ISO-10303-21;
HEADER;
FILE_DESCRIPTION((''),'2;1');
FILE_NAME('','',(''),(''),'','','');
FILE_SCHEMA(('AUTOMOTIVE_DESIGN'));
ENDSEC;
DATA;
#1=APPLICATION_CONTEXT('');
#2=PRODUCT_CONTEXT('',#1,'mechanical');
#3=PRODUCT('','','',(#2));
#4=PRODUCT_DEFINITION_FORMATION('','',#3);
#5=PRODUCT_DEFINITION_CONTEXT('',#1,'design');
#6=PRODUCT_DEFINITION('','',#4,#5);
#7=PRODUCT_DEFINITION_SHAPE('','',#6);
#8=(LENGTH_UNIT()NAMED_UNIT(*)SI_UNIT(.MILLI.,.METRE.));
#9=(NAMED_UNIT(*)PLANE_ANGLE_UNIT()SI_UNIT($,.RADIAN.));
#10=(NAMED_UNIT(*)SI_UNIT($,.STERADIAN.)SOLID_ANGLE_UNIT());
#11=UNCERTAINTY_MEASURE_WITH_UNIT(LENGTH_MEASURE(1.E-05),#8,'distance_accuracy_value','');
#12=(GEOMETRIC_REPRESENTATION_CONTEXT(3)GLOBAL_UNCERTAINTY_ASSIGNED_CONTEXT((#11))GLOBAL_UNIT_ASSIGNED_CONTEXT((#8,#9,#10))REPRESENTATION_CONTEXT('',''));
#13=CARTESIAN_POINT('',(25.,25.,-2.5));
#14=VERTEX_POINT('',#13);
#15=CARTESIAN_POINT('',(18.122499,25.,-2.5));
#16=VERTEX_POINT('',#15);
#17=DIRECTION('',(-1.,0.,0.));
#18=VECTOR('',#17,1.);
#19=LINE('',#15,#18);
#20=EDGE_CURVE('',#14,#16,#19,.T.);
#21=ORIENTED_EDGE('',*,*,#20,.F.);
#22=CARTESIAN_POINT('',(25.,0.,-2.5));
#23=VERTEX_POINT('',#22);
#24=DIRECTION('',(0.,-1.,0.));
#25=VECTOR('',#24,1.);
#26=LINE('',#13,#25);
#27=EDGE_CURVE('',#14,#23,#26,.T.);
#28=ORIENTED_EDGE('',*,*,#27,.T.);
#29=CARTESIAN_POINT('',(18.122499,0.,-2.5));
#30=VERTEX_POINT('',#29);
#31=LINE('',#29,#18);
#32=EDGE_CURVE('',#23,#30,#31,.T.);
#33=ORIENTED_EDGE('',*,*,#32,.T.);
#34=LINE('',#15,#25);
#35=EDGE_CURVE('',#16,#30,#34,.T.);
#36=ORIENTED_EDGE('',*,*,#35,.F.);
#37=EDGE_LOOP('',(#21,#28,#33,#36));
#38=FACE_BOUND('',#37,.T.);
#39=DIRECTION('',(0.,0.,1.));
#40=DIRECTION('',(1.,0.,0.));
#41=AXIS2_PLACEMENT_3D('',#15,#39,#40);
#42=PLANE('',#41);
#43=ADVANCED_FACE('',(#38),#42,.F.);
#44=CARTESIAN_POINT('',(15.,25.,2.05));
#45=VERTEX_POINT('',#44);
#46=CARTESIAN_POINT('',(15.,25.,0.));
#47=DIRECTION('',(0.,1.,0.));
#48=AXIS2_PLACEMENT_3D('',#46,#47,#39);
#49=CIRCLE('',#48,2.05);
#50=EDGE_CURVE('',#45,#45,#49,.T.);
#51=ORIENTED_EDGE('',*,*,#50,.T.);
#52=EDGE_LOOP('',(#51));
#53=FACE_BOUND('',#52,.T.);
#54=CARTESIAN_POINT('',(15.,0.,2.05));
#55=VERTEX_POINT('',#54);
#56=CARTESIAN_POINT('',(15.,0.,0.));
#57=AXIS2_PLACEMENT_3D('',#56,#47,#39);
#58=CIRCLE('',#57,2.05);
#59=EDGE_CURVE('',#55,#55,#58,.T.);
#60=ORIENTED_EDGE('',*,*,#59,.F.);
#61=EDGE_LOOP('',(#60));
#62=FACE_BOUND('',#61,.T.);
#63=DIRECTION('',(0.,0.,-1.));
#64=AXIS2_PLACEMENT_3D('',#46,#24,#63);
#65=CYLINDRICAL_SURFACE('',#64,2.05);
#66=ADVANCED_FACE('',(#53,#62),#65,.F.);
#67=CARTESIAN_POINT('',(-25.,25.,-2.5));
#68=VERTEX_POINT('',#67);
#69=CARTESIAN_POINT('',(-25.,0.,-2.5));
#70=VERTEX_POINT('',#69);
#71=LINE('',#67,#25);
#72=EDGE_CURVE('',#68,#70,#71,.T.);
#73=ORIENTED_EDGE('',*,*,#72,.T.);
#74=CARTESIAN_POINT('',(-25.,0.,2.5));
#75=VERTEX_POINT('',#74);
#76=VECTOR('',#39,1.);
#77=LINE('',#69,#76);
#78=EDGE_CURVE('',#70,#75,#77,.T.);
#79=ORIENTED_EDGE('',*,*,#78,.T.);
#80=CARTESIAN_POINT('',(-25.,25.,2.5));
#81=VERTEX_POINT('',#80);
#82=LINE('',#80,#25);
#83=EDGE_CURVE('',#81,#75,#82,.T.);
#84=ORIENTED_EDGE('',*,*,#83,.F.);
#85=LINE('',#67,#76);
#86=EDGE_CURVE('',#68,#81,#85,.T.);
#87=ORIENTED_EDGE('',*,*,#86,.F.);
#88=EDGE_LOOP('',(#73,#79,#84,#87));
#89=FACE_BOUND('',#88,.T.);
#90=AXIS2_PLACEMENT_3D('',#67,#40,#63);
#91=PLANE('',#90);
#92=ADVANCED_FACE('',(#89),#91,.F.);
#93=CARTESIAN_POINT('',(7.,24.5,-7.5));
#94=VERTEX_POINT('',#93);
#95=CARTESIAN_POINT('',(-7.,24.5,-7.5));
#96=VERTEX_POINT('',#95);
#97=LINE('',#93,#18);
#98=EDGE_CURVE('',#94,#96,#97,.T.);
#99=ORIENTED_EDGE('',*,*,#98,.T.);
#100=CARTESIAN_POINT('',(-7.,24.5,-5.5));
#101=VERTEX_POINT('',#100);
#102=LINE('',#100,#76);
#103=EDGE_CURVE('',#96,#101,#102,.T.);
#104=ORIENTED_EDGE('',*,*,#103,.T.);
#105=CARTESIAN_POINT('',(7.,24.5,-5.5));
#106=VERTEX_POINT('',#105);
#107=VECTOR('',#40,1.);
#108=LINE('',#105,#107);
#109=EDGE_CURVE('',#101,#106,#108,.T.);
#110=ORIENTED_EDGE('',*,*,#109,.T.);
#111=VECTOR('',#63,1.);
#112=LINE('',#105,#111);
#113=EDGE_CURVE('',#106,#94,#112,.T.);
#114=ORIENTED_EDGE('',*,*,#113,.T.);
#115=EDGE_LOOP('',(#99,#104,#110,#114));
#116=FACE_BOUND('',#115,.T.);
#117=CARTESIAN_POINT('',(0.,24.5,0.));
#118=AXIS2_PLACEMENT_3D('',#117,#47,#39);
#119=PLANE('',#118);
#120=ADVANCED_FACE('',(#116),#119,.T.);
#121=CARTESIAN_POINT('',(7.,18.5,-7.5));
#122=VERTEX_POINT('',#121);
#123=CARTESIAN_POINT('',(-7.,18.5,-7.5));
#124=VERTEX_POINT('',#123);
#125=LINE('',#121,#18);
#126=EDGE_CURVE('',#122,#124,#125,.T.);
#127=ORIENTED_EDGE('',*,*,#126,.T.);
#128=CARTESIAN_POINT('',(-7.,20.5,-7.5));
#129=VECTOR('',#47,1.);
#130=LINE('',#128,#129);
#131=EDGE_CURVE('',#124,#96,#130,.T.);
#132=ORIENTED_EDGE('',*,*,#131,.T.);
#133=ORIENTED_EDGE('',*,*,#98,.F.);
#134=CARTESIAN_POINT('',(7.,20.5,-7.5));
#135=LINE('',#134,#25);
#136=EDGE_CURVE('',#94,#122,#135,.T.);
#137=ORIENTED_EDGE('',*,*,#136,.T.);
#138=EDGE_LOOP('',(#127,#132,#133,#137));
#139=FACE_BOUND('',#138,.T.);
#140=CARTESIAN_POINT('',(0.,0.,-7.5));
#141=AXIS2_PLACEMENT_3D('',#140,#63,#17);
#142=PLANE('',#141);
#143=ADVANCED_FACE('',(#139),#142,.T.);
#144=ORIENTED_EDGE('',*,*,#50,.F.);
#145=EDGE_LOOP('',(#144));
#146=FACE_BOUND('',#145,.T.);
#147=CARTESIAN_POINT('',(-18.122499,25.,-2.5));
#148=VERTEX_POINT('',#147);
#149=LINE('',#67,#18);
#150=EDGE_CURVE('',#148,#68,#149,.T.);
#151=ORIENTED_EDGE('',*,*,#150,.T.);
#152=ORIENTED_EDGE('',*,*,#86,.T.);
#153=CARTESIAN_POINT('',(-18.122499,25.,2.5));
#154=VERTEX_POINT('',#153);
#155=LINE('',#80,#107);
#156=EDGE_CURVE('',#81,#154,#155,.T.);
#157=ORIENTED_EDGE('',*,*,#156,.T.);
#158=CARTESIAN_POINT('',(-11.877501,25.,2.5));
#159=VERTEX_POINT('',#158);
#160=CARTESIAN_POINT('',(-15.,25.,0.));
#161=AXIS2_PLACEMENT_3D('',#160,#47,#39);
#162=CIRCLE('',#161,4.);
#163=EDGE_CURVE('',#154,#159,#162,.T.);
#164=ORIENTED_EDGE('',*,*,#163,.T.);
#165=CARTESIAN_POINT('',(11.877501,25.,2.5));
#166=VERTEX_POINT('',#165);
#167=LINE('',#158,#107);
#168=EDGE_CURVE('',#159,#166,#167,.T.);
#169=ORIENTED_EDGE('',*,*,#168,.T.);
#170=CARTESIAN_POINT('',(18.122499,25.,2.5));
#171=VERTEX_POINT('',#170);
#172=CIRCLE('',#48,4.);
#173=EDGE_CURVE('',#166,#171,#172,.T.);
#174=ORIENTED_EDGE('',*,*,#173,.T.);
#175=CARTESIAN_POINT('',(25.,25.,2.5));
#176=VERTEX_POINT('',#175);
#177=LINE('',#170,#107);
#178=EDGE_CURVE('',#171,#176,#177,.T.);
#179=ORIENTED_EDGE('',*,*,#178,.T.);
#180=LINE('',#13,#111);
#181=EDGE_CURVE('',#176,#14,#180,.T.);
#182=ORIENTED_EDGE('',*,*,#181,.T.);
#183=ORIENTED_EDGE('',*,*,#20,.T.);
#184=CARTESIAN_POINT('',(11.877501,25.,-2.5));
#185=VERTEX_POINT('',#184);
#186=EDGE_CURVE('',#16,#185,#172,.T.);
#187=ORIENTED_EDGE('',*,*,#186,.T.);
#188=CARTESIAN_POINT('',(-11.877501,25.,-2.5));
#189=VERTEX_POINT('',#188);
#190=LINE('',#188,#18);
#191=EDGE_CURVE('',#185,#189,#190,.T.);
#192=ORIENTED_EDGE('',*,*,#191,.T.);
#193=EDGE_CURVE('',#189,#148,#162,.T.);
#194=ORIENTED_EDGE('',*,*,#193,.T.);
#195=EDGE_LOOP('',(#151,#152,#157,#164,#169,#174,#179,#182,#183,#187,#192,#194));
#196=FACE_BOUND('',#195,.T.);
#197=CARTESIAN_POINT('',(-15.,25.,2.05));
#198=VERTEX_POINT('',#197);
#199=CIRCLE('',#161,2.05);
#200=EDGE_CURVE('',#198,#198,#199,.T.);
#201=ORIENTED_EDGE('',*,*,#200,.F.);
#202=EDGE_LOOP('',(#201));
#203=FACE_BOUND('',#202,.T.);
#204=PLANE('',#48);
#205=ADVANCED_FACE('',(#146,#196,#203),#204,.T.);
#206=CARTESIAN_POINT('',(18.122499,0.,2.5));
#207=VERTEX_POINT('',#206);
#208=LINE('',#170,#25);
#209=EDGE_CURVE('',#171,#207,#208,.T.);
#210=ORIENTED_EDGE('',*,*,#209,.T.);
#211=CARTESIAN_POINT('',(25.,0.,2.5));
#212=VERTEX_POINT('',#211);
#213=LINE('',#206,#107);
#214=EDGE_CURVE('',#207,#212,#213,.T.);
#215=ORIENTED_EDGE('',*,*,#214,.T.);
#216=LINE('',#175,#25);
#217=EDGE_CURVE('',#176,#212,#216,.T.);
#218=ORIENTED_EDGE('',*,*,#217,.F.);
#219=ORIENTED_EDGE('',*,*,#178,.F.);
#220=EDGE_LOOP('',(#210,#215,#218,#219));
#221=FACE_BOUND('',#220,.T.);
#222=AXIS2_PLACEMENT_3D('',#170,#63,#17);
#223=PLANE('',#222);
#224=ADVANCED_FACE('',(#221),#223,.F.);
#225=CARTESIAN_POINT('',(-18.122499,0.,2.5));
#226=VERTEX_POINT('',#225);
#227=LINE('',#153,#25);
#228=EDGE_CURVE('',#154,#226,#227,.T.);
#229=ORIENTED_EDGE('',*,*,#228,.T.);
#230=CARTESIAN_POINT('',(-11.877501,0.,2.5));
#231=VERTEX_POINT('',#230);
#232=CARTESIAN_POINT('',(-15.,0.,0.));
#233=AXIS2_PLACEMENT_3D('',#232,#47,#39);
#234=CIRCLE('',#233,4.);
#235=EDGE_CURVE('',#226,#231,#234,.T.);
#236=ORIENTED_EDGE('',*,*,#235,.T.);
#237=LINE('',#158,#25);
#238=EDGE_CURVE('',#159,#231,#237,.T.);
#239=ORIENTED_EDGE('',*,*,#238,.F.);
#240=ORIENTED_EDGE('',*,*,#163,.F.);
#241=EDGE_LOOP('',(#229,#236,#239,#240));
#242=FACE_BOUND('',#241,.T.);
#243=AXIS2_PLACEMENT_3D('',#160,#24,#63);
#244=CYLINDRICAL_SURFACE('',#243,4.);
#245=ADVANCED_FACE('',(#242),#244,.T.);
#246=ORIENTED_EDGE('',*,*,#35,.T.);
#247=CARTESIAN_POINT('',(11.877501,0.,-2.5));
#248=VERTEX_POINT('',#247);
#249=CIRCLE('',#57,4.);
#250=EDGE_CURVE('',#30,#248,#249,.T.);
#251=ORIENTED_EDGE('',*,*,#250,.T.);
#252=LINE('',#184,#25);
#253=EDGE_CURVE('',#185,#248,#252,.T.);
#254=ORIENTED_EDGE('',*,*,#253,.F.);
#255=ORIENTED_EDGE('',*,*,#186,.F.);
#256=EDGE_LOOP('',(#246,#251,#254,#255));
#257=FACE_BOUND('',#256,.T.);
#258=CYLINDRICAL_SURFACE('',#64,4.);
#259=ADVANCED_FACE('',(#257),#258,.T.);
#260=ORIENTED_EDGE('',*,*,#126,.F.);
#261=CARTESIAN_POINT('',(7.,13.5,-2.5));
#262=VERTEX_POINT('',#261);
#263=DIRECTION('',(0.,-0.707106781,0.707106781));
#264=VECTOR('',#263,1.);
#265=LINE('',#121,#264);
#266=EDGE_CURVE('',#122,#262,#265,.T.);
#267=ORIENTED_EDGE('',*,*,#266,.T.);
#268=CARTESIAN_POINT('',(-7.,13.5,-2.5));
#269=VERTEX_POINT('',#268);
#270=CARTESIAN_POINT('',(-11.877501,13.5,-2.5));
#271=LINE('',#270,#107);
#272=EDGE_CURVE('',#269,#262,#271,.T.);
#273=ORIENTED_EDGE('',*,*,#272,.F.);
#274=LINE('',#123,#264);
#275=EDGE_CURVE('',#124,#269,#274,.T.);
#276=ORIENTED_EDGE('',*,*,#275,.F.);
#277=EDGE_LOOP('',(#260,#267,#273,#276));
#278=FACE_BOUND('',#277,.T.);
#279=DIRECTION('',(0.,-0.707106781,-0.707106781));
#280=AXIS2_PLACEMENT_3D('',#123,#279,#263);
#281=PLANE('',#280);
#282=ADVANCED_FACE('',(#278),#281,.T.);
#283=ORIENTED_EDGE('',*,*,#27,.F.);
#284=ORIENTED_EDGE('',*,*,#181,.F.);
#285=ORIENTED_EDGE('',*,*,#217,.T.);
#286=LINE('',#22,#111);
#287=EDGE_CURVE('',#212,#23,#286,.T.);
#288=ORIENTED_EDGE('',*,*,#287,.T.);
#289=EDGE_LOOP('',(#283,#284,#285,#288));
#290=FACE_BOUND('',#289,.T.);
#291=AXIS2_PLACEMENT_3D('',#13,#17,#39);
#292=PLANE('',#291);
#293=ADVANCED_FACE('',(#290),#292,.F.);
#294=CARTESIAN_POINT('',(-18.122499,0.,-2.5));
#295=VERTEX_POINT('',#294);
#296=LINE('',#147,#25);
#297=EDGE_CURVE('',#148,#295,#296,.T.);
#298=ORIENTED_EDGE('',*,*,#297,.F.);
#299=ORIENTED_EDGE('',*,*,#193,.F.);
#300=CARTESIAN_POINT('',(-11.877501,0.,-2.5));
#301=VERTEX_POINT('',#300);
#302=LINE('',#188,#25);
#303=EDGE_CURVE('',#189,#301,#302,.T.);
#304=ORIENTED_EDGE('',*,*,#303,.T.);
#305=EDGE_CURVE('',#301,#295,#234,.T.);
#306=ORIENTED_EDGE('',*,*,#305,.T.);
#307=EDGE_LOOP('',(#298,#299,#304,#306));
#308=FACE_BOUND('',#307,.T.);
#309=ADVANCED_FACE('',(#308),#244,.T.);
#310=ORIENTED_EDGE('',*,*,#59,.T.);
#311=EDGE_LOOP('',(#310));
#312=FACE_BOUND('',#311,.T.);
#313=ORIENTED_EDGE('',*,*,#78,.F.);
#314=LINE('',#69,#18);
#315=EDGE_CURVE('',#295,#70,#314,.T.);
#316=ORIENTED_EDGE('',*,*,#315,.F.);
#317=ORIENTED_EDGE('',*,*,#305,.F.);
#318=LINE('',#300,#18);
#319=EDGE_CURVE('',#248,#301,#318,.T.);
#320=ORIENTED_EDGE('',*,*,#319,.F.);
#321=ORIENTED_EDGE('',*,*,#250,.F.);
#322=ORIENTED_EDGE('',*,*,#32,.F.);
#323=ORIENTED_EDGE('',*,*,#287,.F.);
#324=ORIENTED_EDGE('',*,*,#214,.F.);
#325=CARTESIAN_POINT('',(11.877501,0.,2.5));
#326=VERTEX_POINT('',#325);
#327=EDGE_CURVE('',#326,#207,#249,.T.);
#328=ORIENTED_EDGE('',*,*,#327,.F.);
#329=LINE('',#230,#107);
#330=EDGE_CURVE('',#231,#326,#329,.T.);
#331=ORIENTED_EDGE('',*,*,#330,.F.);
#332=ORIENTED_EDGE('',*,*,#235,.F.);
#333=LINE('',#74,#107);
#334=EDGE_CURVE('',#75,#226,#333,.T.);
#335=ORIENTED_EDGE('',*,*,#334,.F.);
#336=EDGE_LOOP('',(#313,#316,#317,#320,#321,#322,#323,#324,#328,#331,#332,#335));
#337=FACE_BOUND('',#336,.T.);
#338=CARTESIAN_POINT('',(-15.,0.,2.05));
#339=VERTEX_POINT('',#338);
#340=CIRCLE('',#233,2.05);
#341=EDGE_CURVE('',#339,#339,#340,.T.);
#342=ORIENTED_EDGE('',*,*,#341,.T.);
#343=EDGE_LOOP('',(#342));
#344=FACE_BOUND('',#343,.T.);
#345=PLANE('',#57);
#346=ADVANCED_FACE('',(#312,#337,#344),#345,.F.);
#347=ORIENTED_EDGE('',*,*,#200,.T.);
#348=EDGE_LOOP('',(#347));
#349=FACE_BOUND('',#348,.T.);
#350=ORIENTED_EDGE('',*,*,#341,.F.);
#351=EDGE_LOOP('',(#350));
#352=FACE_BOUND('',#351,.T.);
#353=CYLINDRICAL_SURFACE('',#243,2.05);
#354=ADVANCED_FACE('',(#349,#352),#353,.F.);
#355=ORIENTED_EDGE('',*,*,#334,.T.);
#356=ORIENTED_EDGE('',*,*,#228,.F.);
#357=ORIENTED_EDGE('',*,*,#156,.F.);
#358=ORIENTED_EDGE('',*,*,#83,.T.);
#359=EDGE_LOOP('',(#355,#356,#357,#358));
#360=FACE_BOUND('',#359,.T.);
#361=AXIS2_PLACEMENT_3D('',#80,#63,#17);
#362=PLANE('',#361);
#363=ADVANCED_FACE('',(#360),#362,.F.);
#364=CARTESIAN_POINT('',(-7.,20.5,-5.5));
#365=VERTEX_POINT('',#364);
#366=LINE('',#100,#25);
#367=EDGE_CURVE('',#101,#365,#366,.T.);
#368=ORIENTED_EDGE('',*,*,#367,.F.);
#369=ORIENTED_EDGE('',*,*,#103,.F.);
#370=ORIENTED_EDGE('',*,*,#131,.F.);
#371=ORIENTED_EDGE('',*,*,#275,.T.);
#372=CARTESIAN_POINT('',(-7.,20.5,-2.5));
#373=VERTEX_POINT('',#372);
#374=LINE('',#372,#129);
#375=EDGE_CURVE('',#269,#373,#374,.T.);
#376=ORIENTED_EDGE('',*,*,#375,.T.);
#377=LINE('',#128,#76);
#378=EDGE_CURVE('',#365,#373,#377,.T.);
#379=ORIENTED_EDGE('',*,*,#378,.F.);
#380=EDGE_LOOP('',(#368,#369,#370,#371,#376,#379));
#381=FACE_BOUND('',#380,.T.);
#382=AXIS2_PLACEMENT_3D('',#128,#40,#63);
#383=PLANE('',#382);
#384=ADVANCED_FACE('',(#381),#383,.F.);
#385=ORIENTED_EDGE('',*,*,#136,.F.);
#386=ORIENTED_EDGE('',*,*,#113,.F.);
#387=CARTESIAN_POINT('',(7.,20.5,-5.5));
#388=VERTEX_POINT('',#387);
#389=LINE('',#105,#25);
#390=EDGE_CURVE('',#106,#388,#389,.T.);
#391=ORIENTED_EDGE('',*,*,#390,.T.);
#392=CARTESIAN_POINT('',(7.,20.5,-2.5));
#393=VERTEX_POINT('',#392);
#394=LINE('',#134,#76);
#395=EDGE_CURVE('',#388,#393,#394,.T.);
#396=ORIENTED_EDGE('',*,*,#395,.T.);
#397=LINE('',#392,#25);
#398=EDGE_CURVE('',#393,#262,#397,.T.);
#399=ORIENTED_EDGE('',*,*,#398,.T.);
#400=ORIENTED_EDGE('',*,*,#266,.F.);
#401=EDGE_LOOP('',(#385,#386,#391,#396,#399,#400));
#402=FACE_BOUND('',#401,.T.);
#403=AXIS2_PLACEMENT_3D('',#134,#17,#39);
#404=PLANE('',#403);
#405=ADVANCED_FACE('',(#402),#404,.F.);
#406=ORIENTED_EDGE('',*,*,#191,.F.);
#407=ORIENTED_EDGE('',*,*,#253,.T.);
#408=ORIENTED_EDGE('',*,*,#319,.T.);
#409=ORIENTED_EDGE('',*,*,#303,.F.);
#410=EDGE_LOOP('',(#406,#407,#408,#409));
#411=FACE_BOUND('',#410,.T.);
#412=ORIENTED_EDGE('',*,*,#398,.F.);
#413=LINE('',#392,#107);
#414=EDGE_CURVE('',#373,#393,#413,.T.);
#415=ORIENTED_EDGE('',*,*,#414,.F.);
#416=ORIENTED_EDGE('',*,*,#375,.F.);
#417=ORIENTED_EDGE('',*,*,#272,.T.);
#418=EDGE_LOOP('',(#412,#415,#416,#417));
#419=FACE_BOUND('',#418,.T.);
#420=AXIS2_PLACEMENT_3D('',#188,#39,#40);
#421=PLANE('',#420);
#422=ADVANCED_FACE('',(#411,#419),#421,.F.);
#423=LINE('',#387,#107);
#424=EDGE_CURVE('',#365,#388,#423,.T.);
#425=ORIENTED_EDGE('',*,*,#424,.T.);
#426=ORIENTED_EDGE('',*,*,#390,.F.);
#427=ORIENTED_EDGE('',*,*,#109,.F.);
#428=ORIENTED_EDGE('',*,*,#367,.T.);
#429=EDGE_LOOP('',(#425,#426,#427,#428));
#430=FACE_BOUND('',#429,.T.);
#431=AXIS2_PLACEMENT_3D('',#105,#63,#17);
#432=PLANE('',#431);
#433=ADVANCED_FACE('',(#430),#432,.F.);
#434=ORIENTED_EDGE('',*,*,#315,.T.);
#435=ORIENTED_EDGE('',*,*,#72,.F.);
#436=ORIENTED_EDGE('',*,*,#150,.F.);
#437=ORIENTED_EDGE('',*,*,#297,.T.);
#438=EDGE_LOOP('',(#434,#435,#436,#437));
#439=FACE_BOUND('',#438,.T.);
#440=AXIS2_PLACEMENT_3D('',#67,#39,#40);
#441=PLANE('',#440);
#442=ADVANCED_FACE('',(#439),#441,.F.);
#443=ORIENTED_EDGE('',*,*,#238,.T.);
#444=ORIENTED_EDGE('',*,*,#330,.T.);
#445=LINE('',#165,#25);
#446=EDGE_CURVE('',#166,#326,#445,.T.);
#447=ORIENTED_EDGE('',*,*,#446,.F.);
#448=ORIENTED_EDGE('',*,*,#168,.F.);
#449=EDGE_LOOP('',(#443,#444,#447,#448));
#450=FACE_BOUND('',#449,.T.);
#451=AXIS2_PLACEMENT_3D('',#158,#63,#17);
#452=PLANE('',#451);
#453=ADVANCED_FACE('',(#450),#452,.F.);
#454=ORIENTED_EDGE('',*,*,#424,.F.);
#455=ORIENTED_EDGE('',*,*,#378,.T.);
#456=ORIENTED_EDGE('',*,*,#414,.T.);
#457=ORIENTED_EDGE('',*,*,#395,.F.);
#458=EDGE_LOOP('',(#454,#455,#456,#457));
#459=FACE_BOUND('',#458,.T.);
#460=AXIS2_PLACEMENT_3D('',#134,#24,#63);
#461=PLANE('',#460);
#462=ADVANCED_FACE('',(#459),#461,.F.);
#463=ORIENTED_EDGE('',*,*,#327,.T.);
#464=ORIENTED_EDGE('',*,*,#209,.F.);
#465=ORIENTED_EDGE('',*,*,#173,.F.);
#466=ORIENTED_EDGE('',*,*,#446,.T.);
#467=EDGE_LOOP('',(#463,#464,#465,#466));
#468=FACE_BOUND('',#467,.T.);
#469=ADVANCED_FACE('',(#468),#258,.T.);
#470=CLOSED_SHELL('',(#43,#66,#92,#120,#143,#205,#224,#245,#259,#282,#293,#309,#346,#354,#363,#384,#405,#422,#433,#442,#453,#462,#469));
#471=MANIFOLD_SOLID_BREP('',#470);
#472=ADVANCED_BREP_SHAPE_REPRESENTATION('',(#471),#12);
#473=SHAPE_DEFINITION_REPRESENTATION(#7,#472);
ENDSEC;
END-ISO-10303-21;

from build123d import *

# Parameters (mm, degrees)
SKETCH1_R           = 2.05
BOSS_EXTRUDE1_DEPTH = 25
SKETCH2_W           = 14
SKETCH2_H           = 2
BOSS_EXTRUDE2_DEPTH = 5
SKETCH3_W           = 14
SKETCH3_H           = 2
BOSS_EXTRUDE3_DEPTH = 4
RIB3_REACH          = 43.295
SKETCH4_WALL_W      = 91.660413372
SKETCH4_WALL_H      = 14


with BuildPart() as part:
    # Sketch1 → Boss-Extrude1 (new body)
    with BuildSketch(Plane(origin=(0, 0, 0), x_dir=(1, 0, 0), z_dir=(0, 1, 0))):
        with BuildLine():
            Line((-25, 2.5), (-18.122498999, 2.5))
            ThreePointArc((-18.122498999, 2.5), (-15, 4), (-11.877501001, 2.5))
            Line((-11.877501001, 2.5), (11.877501001, 2.5))
            ThreePointArc((11.877501001, 2.5), (15, 4), (18.122498999, 2.5))
            Line((18.122498999, 2.5), (25, 2.5))
            Line((25, 2.5), (25, -2.5))
            Line((25, -2.5), (18.122498999, -2.5))
            ThreePointArc((18.122498999, -2.5), (15, -4), (11.877501001, -2.5))
            Line((11.877501001, -2.5), (-11.877501001, -2.5))
            ThreePointArc((-11.877501001, -2.5), (-15, -4), (-18.122498999, -2.5))
            Line((-18.122498999, -2.5), (-25, -2.5))
            Line((-25, -2.5), (-25, 2.5))
        make_face()
        with Locations(Location((-15, 0, 0), (0, 0, 270))):
            Circle(SKETCH1_R, mode=Mode.SUBTRACT)
        with Locations(Location((15, 0, 0), (0, 0, 270))):
            Circle(SKETCH1_R, mode=Mode.SUBTRACT)
    extrude(amount=BOSS_EXTRUDE1_DEPTH)

    # Sketch2 → Boss-Extrude2 (add)
    with BuildSketch(Plane(origin=(0, 0, -2.5), x_dir=(-1, 0, 0), z_dir=(0, 0, -1))):
        with Locations((0, 19.5)):
            Rectangle(SKETCH2_W, SKETCH2_H)
    extrude(amount=BOSS_EXTRUDE2_DEPTH)

    # Sketch3 → Boss-Extrude3 (add)
    with BuildSketch(Plane(origin=(0, 20.5, 0), x_dir=(1, 0, 0), z_dir=(0, 1, 0))):
        with Locations((0, 6.5)):
            Rectangle(SKETCH3_W, SKETCH3_H)
    extrude(amount=BOSS_EXTRUDE3_DEPTH)

    # Sketch4 wall → Rib3 (add, up to next)
    with BuildSketch(Plane(origin=(-7, 16, -5), x_dir=(0, -0.707106781187, 0.707106781187), z_dir=(0, 0.707106781187, 0.707106781187)), mode=Mode.PRIVATE) as rib3_sk1:
        with Locations((0, 7)):
            Rectangle(SKETCH4_WALL_W, SKETCH4_WALL_H)
    rib3_tool1 = extrude(rib3_sk1.sketch, amount=RIB3_REACH, mode=Mode.PRIVATE) - part.part
    add(rib3_tool1.solids().sort_by_distance((-7, 16, -5))[0])


solid = part.part
